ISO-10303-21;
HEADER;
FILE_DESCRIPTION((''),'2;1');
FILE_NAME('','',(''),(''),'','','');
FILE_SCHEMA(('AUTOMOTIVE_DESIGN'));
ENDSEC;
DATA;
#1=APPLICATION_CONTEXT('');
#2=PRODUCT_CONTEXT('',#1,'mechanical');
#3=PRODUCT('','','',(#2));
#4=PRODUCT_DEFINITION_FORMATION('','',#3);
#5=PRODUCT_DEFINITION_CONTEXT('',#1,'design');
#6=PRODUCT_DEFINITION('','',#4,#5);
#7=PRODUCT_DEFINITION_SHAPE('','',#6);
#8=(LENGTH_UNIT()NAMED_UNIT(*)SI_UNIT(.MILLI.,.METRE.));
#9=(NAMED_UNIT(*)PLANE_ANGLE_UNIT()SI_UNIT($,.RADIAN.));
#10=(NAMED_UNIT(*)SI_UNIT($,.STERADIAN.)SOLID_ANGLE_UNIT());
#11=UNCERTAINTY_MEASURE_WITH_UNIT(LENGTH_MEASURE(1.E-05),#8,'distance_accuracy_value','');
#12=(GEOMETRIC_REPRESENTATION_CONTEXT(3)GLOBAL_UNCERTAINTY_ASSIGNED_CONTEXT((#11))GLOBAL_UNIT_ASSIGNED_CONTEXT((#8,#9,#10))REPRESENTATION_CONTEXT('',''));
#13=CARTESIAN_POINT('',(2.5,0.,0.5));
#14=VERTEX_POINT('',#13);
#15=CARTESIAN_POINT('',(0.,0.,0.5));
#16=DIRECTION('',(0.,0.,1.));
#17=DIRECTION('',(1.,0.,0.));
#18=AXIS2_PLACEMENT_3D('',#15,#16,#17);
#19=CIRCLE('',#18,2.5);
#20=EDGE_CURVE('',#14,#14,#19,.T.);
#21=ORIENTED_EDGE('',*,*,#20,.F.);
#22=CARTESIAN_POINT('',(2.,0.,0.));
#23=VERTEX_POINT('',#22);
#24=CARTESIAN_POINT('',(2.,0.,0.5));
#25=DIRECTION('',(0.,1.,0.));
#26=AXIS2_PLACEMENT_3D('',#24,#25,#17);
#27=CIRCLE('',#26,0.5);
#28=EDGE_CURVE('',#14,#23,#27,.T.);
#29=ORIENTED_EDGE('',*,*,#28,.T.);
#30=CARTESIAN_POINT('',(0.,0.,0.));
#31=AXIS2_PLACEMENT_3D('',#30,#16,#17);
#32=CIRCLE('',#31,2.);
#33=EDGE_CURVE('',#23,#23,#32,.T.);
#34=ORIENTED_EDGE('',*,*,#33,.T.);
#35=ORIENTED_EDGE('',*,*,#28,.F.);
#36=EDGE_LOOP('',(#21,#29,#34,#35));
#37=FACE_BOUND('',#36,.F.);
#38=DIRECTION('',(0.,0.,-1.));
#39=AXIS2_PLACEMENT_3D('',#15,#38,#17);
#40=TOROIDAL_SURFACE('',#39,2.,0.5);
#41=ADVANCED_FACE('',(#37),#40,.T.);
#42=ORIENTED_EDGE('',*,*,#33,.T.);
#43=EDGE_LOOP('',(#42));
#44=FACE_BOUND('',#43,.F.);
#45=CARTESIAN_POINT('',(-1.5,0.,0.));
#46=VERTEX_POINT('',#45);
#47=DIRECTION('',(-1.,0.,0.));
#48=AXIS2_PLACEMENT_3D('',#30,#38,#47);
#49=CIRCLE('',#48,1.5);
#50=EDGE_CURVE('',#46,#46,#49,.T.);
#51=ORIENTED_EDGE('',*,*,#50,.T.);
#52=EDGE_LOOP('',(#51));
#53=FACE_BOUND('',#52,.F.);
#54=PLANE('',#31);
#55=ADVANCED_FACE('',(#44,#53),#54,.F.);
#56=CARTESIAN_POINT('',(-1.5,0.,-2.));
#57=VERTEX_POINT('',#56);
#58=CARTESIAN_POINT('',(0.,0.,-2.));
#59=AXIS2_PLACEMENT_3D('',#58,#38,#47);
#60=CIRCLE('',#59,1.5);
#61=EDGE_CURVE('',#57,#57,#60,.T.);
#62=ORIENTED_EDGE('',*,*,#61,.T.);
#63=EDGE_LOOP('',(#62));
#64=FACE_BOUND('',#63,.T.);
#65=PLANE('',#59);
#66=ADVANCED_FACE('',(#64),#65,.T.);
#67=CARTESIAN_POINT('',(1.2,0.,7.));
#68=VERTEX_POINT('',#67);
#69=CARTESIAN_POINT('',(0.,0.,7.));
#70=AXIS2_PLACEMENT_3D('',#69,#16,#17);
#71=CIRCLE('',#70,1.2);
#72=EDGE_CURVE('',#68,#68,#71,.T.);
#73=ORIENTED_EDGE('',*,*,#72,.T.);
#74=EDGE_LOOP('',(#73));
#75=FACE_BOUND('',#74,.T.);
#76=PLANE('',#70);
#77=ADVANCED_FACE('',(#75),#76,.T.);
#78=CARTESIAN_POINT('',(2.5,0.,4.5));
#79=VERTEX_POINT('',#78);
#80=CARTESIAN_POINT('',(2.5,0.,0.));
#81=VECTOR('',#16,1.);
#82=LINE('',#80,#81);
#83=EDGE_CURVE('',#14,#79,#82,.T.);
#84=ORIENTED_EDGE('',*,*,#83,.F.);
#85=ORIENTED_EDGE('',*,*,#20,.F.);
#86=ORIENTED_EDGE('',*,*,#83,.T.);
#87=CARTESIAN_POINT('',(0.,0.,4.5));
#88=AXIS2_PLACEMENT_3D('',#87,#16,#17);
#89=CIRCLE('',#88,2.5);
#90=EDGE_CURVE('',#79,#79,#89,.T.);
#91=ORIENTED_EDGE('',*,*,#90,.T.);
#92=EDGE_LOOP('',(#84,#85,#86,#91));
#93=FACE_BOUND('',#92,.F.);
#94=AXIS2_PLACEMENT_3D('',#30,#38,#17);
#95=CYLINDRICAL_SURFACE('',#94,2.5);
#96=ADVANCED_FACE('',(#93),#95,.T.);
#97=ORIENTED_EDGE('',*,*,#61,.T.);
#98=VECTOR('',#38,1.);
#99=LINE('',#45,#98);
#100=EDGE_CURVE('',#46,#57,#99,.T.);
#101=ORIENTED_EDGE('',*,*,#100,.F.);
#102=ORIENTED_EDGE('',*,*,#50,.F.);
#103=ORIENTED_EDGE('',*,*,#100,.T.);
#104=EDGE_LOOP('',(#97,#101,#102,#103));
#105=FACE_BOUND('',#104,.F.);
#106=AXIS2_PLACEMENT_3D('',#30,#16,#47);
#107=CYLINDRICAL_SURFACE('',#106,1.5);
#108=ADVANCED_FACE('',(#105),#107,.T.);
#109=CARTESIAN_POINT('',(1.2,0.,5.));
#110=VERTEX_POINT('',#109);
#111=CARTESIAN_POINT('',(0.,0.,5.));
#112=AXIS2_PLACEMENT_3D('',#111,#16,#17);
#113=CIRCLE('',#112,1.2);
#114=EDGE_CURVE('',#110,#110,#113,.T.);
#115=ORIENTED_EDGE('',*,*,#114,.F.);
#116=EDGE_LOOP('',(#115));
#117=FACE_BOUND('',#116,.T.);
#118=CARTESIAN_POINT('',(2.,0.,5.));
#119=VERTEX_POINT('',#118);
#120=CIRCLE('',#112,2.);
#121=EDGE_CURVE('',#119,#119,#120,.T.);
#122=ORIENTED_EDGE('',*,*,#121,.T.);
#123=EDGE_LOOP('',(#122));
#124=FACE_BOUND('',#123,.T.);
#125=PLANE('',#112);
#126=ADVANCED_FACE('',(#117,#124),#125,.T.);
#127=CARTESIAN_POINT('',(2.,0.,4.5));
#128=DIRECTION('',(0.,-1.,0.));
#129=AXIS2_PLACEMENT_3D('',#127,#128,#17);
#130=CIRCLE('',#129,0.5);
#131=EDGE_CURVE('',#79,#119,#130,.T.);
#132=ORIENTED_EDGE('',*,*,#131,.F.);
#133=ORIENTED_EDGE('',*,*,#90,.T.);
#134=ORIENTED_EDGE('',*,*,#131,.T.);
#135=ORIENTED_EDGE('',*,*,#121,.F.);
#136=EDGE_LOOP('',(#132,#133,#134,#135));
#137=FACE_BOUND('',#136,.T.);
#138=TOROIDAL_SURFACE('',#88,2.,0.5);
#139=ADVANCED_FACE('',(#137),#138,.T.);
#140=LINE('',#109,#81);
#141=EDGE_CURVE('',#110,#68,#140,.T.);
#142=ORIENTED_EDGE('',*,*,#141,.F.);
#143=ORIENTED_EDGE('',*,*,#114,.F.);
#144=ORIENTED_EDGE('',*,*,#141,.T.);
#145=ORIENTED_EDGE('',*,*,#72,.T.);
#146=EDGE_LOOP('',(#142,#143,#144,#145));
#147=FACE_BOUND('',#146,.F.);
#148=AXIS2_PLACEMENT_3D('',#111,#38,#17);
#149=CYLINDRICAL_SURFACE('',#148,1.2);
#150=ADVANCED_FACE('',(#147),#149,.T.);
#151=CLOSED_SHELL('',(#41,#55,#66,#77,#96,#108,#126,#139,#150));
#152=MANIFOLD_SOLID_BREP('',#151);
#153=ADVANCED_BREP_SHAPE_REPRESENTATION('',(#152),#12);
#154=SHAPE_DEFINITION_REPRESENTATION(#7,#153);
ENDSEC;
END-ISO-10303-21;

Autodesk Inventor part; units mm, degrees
ref_plane "YZ Plane" through (0, 0, 0) normal (1, 0, 0) x (0, 1, 0)
ref_plane "XZ Plane" through (0, 0, 0) normal (0, 1, 0) x (-1, 0, 0)
ref_plane "XY Plane" through (0, 0, 0) normal (0, 0, 1) x (1, 0, 0)
sketch "スケッチ1" plane through (0, 0, 0) normal (0, 0, 1) x (1, 0, 0)
  circle A0 centre (0, 0) radius 2.5
  dimension "d10" = 5
extrude "押し出し1" add sketch "スケッチ1" along normal blind 5
sketch "スケッチ2" plane through (0, 0, 5) normal (0, 0, 1) x (1, 0, 0)
  circle A0 centre (0, 0) radius 1.2
  dimension "d7" = 2.4
extrude "押し出し2" add sketch "スケッチ2" along normal blind 2
fillet "フィレット1" radius 0.5 2 edges at (-2.5, 0, 5) (-2.5, 0, 0)
sketch "スケッチ3" plane through (0, 0, 0) normal (0, 0, -1) x (-1, 0, 0)
  circle A0 centre (0, 0) radius 2 projected
  circle A1 centre (0, 0) radius 1.5
  dimension "d12" = 3
extrude "押し出し3" add sketch "スケッチ3" along normal blind 2 contours A1
properties part number "worka"
